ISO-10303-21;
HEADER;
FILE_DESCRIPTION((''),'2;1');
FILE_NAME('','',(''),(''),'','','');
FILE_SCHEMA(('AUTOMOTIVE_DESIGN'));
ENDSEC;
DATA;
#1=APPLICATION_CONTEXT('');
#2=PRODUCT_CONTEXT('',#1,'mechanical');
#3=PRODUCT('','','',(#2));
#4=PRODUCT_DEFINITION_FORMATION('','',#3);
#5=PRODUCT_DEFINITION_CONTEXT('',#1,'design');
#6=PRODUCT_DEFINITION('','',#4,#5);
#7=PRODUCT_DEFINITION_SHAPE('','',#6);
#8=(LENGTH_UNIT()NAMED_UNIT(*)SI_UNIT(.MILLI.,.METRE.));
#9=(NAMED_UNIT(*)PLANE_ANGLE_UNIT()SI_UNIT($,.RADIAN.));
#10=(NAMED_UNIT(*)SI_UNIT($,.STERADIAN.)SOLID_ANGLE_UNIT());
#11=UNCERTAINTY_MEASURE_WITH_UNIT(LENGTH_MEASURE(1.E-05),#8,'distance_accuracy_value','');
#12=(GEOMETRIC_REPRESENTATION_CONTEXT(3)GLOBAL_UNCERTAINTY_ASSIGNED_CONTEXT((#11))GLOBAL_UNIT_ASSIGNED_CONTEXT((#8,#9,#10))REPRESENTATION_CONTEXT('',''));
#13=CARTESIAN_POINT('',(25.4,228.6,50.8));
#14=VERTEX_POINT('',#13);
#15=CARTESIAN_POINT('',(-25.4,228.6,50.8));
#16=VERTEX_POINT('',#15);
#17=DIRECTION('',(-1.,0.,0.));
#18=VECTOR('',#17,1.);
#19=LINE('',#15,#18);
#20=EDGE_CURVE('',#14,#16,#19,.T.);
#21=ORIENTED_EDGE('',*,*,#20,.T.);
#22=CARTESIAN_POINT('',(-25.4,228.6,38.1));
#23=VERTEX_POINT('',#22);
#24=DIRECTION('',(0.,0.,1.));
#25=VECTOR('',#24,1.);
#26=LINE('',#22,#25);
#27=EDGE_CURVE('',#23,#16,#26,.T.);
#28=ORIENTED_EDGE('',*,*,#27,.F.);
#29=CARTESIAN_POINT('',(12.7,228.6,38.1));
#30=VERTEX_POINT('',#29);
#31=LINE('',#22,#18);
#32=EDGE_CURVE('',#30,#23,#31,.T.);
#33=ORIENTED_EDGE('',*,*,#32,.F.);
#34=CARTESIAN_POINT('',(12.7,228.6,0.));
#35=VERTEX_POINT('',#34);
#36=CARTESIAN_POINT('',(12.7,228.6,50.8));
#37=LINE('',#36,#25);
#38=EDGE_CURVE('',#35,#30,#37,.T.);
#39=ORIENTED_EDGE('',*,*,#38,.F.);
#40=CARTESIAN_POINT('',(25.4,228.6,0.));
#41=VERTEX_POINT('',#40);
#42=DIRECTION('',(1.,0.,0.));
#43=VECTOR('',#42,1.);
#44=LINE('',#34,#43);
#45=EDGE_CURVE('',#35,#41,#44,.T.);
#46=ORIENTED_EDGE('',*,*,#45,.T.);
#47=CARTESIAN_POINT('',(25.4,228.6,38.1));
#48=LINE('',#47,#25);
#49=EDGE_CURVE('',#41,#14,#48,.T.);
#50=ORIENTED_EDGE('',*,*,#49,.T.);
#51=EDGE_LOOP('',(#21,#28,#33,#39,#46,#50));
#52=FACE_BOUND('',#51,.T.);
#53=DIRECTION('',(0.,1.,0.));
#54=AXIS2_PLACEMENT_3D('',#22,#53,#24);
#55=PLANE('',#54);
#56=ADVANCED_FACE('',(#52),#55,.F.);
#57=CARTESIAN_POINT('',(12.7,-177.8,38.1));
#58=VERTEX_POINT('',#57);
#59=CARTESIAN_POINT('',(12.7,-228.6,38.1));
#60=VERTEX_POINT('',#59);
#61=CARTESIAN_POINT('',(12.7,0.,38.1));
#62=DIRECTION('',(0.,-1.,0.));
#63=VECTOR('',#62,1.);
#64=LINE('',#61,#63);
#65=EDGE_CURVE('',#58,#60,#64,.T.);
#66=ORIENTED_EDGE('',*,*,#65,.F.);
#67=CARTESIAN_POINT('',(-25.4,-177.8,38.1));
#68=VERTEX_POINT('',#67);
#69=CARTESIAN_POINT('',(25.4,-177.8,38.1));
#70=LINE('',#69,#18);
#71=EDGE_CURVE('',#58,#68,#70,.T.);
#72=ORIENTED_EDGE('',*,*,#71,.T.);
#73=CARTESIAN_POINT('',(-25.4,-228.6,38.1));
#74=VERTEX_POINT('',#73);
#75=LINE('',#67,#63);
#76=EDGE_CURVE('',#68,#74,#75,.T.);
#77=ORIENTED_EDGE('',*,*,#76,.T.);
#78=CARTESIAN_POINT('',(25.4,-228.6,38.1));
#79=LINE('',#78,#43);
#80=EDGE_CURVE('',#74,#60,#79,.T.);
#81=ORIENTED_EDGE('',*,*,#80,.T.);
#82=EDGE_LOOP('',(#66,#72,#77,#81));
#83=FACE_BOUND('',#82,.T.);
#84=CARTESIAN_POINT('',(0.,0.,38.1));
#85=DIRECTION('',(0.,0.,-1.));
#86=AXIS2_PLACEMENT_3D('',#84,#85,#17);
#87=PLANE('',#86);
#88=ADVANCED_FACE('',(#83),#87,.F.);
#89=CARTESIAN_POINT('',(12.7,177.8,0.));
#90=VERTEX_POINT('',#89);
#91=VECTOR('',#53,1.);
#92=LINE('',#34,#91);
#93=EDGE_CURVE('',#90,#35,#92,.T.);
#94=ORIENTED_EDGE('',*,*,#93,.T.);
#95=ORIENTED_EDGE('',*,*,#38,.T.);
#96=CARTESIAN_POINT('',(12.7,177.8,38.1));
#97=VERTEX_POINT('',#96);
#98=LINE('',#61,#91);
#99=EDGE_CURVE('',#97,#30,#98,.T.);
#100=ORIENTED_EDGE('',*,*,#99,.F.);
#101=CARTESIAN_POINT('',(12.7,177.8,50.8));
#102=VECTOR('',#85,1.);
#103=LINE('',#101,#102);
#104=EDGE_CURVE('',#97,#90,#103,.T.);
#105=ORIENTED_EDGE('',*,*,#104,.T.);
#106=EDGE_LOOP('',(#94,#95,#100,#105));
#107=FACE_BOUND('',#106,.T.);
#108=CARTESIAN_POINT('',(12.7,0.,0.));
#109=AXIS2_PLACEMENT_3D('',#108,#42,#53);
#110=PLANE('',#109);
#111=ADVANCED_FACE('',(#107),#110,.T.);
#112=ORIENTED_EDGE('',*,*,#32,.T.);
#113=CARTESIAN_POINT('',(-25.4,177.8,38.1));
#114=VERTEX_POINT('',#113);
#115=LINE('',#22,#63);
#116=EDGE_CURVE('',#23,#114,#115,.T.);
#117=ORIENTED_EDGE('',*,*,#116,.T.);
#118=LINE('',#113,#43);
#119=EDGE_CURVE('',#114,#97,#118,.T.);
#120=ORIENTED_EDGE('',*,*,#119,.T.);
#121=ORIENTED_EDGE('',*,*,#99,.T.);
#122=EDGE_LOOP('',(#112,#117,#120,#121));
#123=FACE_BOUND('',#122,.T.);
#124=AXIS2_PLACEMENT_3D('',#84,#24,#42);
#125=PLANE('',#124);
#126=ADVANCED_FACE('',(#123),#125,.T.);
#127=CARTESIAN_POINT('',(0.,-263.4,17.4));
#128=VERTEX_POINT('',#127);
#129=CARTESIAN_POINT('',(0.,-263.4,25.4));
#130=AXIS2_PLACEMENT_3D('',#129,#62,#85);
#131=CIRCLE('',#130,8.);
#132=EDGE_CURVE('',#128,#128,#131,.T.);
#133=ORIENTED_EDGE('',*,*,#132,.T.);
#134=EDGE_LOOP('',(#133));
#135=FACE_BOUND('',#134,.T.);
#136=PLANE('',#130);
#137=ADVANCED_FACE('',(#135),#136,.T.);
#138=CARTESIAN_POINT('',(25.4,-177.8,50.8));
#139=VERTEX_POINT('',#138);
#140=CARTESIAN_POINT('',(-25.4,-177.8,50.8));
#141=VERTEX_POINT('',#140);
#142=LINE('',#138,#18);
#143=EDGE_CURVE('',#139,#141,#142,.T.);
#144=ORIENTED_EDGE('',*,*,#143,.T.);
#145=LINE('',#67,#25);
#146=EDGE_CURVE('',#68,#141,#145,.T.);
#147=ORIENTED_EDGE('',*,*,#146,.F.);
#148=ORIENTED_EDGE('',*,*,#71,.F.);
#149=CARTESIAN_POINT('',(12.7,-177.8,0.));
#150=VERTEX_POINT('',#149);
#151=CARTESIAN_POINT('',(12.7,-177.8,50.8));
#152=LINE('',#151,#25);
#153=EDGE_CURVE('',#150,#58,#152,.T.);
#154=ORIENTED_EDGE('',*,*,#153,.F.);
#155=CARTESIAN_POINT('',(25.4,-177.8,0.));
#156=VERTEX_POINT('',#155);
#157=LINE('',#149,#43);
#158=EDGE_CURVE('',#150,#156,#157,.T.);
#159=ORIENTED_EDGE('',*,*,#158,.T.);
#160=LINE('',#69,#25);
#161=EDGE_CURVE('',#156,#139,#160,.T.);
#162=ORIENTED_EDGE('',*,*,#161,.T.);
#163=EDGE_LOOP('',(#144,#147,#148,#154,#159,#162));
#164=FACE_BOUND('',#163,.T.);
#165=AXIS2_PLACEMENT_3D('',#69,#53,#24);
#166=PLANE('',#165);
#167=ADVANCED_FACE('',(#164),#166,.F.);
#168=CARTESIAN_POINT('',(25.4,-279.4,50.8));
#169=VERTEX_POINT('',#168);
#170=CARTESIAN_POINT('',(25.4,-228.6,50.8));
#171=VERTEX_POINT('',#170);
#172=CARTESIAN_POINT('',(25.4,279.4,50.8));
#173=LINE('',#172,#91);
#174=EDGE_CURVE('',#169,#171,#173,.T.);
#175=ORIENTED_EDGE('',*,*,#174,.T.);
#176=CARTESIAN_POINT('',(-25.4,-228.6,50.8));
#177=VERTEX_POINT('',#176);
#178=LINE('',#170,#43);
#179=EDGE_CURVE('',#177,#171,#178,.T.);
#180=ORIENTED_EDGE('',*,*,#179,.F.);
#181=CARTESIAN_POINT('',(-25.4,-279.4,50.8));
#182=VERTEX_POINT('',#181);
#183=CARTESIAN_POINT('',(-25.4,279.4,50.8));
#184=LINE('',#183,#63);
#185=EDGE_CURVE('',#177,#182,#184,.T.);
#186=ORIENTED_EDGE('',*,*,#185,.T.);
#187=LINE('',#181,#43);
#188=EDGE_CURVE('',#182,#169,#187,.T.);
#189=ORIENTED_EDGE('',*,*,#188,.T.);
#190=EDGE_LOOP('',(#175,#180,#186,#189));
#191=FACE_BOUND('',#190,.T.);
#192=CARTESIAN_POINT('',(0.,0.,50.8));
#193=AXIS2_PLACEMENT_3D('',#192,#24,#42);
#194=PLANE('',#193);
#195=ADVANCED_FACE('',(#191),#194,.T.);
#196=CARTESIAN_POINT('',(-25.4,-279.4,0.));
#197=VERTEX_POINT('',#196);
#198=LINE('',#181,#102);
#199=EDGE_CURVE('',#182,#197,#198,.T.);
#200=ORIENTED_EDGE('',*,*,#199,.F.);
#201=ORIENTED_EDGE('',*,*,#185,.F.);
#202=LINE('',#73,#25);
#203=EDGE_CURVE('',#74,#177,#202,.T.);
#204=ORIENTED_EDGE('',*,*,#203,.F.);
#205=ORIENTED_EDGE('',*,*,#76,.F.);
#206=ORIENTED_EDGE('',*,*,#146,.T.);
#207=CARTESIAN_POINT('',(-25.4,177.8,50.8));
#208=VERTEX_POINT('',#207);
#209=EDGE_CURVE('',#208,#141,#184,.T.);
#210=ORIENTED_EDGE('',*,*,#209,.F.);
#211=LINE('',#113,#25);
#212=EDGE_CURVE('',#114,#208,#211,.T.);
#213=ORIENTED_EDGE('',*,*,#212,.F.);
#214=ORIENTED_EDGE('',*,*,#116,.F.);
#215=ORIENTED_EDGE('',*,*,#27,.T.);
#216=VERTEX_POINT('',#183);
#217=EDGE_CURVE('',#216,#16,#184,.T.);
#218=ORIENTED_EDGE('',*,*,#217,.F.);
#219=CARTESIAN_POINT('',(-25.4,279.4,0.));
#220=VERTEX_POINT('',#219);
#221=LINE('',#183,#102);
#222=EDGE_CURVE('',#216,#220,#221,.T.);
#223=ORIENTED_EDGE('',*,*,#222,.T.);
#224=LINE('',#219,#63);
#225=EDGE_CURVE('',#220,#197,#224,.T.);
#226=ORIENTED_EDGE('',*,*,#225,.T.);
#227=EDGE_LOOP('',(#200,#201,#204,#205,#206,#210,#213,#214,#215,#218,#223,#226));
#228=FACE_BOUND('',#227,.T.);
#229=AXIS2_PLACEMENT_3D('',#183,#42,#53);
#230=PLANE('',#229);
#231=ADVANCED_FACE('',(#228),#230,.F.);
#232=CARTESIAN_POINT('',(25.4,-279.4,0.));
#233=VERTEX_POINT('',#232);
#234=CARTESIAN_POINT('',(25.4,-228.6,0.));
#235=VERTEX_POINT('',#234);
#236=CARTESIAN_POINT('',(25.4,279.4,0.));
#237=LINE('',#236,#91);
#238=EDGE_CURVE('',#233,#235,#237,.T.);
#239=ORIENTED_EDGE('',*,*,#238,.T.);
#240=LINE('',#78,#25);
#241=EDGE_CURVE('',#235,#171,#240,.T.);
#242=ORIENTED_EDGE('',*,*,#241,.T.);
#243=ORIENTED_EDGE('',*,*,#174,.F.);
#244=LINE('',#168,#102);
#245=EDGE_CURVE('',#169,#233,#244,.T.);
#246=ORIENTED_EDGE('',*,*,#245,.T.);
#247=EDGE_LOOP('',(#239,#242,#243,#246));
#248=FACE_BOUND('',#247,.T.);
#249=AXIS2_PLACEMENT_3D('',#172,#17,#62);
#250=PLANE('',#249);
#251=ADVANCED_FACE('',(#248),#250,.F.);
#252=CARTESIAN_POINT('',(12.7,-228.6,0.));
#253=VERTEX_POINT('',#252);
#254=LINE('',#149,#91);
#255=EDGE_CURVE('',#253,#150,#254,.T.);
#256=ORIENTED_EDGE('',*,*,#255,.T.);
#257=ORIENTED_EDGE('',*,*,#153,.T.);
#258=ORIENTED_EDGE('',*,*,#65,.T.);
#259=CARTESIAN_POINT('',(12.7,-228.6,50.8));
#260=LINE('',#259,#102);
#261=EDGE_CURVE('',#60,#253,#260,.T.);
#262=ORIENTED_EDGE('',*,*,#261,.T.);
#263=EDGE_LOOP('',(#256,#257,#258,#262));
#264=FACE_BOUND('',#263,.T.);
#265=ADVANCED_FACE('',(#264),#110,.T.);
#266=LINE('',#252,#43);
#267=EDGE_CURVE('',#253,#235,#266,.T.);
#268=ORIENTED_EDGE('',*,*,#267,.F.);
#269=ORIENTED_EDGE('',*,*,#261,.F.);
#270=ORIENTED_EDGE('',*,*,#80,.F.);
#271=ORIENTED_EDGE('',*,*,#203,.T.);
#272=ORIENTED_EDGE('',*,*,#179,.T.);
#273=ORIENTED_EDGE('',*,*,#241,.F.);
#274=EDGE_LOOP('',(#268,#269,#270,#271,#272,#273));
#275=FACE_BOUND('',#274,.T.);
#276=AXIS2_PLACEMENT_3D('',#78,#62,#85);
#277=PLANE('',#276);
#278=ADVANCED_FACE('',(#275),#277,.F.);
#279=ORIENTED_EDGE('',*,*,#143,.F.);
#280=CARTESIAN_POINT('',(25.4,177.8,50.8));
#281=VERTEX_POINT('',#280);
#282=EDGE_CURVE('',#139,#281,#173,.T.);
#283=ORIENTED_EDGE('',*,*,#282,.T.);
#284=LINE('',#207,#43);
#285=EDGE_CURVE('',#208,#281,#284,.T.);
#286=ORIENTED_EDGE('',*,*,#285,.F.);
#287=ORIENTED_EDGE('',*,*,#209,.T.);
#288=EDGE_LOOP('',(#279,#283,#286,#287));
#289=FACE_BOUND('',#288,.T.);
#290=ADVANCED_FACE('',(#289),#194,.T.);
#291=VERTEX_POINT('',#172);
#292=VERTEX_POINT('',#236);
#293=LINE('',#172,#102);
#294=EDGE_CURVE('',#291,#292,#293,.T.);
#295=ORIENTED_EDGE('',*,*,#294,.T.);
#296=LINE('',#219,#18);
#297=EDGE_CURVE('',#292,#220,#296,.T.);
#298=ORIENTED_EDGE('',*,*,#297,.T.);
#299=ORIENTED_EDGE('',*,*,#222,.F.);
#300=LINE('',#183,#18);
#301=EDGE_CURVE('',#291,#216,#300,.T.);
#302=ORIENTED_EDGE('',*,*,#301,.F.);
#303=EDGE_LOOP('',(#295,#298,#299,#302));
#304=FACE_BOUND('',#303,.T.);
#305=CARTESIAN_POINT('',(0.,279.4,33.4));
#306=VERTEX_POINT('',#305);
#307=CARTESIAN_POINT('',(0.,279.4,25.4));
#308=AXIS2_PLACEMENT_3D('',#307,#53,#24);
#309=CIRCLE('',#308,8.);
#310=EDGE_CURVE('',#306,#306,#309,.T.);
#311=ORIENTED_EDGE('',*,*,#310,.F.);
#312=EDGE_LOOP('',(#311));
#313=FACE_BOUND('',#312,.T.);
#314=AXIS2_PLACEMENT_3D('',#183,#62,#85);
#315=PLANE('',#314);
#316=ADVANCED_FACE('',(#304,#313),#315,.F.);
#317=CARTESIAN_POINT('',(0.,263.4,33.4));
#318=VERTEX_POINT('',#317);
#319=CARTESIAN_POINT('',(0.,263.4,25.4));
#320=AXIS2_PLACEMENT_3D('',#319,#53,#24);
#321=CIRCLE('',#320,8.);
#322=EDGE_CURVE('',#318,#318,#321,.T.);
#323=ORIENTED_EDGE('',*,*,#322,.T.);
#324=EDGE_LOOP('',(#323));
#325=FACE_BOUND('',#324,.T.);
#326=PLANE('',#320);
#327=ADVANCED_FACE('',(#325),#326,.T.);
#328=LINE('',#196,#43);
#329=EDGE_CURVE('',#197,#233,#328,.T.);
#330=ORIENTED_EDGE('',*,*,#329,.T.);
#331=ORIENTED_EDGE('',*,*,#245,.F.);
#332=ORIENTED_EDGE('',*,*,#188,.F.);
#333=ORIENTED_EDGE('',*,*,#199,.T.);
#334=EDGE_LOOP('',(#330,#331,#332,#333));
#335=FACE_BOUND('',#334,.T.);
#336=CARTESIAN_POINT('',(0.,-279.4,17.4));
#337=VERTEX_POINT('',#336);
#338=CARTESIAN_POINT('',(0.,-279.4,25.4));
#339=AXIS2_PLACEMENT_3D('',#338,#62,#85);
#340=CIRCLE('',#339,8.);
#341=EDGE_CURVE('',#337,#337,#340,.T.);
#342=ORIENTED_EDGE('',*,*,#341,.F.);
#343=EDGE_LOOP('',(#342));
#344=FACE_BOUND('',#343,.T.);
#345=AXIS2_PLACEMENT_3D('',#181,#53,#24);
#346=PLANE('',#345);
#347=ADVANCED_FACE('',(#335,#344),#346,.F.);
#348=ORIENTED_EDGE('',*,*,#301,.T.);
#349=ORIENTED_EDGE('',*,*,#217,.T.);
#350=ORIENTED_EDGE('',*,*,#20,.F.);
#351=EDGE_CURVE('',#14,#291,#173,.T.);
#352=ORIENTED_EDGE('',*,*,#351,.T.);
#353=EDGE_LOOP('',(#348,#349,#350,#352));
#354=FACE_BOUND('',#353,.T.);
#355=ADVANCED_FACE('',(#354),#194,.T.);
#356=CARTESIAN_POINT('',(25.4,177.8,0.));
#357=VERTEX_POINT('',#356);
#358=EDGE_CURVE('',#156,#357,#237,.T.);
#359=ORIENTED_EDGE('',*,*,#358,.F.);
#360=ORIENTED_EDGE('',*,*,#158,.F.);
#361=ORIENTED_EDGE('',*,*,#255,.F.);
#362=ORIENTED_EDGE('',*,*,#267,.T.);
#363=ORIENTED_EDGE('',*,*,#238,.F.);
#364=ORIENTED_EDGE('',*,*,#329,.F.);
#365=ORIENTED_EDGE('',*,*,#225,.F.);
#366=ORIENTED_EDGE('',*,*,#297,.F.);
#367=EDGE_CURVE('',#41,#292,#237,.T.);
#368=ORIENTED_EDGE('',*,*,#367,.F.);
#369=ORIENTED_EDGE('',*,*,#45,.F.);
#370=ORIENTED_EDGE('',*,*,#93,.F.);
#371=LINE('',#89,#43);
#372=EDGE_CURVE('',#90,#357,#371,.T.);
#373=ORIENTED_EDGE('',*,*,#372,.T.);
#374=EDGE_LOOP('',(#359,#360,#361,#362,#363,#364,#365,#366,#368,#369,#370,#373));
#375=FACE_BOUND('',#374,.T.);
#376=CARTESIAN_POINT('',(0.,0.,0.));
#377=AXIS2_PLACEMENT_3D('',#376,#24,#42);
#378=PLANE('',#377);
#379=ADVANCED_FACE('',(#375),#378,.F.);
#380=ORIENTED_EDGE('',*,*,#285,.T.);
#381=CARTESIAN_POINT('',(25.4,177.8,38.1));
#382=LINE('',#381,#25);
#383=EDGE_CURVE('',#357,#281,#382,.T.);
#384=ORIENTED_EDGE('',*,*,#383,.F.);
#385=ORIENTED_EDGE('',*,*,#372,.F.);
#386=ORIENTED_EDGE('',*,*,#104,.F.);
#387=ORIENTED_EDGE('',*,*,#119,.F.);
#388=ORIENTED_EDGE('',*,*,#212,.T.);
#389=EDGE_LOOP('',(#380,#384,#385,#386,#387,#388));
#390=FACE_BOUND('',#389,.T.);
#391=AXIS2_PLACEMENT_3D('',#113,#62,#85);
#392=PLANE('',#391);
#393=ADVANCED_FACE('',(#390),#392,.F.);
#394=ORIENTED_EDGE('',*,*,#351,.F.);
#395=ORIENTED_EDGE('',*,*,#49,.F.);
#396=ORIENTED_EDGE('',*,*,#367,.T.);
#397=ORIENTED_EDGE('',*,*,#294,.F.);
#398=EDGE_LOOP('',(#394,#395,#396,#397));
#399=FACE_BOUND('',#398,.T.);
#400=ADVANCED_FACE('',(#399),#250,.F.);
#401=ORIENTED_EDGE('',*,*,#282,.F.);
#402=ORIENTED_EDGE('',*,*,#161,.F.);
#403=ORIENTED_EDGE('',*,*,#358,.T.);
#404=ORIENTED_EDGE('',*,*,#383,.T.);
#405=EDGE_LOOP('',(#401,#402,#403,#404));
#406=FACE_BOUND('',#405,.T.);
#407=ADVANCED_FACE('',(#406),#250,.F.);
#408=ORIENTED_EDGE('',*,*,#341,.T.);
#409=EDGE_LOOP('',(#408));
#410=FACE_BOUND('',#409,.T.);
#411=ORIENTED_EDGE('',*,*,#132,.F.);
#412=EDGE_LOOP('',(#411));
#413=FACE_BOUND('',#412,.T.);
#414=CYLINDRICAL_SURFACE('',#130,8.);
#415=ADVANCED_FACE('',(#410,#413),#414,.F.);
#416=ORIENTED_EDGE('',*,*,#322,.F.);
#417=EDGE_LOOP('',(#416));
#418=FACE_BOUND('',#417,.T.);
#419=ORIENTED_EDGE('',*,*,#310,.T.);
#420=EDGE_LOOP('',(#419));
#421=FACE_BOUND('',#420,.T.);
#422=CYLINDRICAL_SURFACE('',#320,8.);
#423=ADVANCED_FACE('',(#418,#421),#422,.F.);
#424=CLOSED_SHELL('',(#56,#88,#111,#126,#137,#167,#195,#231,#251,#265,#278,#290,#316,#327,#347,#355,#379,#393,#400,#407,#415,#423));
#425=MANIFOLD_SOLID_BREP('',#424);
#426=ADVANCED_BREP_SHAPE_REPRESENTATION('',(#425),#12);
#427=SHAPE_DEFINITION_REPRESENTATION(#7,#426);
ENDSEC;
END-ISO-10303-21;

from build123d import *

# Parameters (mm, degrees)
SKETCH2_W           = 50.8
SKETCH2_H           = 558.8
BOSS_EXTRUDE1_DEPTH = 50.8
SKETCH5_W           = 50.8
SKETCH5_H           = 50.8
CUT_EXTRUDE1_DEPTH  = 12.7
SKETCH6_W           = 50.8
SKETCH6_H           = 50.8
CUT_EXTRUDE2_DEPTH  = 12.7
SKETCH10_W          = 50.8
SKETCH10_H          = 50.8
CUT_EXTRUDE3_DEPTH  = 12.7
SKETCH11_W          = 50.8
SKETCH11_H          = 50.8
CUT_EXTRUDE4_DEPTH  = 12.7
SKETCH12_R          = 8
CUT_EXTRUDE5_DEPTH  = 16
SKETCH13_R          = 8
CUT_EXTRUDE6_DEPTH  = 16


with BuildPart() as part:
    # Sketch2 → Boss-Extrude1 (new body)
    with BuildSketch(Plane.XY):
        Rectangle(SKETCH2_W, SKETCH2_H)
    extrude(amount=BOSS_EXTRUDE1_DEPTH)

    # Sketch5 → Cut-Extrude1 (cut)
    with BuildSketch(Plane.XY.offset(50.8)):
        with Locations((0, 203.2)):
            Rectangle(SKETCH5_W, SKETCH5_H)
    extrude(amount=-CUT_EXTRUDE1_DEPTH, mode=Mode.SUBTRACT)

    # Sketch6 → Cut-Extrude2 (cut)
    with BuildSketch(Plane(origin=(25.4, 0, 0), x_dir=(0, 0, -1), z_dir=(1, 0, 0))):
        with Locations((-25.4, 203.2)):
            Rectangle(SKETCH6_W, SKETCH6_H)
    extrude(amount=-CUT_EXTRUDE2_DEPTH, mode=Mode.SUBTRACT)

    # Sketch10 → Cut-Extrude3 (cut)
    with BuildSketch(Plane.XY.offset(50.8)):
        with Locations((0, -203.2)):
            Rectangle(SKETCH10_W, SKETCH10_H)
    extrude(amount=-CUT_EXTRUDE3_DEPTH, mode=Mode.SUBTRACT)

    # Sketch11 → Cut-Extrude4 (cut)
    with BuildSketch(Plane(origin=(25.4, 0, 0), x_dir=(0, 0, -1), z_dir=(1, 0, 0))):
        with Locations((-25.4, -203.2)):
            Rectangle(SKETCH11_W, SKETCH11_H)
    extrude(amount=-CUT_EXTRUDE4_DEPTH, mode=Mode.SUBTRACT)

    # Sketch12 → Cut-Extrude5 (cut)
    with BuildSketch(Plane.XZ.offset(279.4)):
        with Locations((0, 25.4)):
            Circle(SKETCH12_R)
    extrude(amount=-CUT_EXTRUDE5_DEPTH, mode=Mode.SUBTRACT)

    # Sketch13 → Cut-Extrude6 (cut)
    with BuildSketch(Plane(origin=(0, 279.4, 0), x_dir=(1, 0, 0), z_dir=(0, 1, 0))):
        with Locations((0, -25.4)):
            Circle(SKETCH13_R)
    extrude(amount=-CUT_EXTRUDE6_DEPTH, mode=Mode.SUBTRACT)


solid = part.part
